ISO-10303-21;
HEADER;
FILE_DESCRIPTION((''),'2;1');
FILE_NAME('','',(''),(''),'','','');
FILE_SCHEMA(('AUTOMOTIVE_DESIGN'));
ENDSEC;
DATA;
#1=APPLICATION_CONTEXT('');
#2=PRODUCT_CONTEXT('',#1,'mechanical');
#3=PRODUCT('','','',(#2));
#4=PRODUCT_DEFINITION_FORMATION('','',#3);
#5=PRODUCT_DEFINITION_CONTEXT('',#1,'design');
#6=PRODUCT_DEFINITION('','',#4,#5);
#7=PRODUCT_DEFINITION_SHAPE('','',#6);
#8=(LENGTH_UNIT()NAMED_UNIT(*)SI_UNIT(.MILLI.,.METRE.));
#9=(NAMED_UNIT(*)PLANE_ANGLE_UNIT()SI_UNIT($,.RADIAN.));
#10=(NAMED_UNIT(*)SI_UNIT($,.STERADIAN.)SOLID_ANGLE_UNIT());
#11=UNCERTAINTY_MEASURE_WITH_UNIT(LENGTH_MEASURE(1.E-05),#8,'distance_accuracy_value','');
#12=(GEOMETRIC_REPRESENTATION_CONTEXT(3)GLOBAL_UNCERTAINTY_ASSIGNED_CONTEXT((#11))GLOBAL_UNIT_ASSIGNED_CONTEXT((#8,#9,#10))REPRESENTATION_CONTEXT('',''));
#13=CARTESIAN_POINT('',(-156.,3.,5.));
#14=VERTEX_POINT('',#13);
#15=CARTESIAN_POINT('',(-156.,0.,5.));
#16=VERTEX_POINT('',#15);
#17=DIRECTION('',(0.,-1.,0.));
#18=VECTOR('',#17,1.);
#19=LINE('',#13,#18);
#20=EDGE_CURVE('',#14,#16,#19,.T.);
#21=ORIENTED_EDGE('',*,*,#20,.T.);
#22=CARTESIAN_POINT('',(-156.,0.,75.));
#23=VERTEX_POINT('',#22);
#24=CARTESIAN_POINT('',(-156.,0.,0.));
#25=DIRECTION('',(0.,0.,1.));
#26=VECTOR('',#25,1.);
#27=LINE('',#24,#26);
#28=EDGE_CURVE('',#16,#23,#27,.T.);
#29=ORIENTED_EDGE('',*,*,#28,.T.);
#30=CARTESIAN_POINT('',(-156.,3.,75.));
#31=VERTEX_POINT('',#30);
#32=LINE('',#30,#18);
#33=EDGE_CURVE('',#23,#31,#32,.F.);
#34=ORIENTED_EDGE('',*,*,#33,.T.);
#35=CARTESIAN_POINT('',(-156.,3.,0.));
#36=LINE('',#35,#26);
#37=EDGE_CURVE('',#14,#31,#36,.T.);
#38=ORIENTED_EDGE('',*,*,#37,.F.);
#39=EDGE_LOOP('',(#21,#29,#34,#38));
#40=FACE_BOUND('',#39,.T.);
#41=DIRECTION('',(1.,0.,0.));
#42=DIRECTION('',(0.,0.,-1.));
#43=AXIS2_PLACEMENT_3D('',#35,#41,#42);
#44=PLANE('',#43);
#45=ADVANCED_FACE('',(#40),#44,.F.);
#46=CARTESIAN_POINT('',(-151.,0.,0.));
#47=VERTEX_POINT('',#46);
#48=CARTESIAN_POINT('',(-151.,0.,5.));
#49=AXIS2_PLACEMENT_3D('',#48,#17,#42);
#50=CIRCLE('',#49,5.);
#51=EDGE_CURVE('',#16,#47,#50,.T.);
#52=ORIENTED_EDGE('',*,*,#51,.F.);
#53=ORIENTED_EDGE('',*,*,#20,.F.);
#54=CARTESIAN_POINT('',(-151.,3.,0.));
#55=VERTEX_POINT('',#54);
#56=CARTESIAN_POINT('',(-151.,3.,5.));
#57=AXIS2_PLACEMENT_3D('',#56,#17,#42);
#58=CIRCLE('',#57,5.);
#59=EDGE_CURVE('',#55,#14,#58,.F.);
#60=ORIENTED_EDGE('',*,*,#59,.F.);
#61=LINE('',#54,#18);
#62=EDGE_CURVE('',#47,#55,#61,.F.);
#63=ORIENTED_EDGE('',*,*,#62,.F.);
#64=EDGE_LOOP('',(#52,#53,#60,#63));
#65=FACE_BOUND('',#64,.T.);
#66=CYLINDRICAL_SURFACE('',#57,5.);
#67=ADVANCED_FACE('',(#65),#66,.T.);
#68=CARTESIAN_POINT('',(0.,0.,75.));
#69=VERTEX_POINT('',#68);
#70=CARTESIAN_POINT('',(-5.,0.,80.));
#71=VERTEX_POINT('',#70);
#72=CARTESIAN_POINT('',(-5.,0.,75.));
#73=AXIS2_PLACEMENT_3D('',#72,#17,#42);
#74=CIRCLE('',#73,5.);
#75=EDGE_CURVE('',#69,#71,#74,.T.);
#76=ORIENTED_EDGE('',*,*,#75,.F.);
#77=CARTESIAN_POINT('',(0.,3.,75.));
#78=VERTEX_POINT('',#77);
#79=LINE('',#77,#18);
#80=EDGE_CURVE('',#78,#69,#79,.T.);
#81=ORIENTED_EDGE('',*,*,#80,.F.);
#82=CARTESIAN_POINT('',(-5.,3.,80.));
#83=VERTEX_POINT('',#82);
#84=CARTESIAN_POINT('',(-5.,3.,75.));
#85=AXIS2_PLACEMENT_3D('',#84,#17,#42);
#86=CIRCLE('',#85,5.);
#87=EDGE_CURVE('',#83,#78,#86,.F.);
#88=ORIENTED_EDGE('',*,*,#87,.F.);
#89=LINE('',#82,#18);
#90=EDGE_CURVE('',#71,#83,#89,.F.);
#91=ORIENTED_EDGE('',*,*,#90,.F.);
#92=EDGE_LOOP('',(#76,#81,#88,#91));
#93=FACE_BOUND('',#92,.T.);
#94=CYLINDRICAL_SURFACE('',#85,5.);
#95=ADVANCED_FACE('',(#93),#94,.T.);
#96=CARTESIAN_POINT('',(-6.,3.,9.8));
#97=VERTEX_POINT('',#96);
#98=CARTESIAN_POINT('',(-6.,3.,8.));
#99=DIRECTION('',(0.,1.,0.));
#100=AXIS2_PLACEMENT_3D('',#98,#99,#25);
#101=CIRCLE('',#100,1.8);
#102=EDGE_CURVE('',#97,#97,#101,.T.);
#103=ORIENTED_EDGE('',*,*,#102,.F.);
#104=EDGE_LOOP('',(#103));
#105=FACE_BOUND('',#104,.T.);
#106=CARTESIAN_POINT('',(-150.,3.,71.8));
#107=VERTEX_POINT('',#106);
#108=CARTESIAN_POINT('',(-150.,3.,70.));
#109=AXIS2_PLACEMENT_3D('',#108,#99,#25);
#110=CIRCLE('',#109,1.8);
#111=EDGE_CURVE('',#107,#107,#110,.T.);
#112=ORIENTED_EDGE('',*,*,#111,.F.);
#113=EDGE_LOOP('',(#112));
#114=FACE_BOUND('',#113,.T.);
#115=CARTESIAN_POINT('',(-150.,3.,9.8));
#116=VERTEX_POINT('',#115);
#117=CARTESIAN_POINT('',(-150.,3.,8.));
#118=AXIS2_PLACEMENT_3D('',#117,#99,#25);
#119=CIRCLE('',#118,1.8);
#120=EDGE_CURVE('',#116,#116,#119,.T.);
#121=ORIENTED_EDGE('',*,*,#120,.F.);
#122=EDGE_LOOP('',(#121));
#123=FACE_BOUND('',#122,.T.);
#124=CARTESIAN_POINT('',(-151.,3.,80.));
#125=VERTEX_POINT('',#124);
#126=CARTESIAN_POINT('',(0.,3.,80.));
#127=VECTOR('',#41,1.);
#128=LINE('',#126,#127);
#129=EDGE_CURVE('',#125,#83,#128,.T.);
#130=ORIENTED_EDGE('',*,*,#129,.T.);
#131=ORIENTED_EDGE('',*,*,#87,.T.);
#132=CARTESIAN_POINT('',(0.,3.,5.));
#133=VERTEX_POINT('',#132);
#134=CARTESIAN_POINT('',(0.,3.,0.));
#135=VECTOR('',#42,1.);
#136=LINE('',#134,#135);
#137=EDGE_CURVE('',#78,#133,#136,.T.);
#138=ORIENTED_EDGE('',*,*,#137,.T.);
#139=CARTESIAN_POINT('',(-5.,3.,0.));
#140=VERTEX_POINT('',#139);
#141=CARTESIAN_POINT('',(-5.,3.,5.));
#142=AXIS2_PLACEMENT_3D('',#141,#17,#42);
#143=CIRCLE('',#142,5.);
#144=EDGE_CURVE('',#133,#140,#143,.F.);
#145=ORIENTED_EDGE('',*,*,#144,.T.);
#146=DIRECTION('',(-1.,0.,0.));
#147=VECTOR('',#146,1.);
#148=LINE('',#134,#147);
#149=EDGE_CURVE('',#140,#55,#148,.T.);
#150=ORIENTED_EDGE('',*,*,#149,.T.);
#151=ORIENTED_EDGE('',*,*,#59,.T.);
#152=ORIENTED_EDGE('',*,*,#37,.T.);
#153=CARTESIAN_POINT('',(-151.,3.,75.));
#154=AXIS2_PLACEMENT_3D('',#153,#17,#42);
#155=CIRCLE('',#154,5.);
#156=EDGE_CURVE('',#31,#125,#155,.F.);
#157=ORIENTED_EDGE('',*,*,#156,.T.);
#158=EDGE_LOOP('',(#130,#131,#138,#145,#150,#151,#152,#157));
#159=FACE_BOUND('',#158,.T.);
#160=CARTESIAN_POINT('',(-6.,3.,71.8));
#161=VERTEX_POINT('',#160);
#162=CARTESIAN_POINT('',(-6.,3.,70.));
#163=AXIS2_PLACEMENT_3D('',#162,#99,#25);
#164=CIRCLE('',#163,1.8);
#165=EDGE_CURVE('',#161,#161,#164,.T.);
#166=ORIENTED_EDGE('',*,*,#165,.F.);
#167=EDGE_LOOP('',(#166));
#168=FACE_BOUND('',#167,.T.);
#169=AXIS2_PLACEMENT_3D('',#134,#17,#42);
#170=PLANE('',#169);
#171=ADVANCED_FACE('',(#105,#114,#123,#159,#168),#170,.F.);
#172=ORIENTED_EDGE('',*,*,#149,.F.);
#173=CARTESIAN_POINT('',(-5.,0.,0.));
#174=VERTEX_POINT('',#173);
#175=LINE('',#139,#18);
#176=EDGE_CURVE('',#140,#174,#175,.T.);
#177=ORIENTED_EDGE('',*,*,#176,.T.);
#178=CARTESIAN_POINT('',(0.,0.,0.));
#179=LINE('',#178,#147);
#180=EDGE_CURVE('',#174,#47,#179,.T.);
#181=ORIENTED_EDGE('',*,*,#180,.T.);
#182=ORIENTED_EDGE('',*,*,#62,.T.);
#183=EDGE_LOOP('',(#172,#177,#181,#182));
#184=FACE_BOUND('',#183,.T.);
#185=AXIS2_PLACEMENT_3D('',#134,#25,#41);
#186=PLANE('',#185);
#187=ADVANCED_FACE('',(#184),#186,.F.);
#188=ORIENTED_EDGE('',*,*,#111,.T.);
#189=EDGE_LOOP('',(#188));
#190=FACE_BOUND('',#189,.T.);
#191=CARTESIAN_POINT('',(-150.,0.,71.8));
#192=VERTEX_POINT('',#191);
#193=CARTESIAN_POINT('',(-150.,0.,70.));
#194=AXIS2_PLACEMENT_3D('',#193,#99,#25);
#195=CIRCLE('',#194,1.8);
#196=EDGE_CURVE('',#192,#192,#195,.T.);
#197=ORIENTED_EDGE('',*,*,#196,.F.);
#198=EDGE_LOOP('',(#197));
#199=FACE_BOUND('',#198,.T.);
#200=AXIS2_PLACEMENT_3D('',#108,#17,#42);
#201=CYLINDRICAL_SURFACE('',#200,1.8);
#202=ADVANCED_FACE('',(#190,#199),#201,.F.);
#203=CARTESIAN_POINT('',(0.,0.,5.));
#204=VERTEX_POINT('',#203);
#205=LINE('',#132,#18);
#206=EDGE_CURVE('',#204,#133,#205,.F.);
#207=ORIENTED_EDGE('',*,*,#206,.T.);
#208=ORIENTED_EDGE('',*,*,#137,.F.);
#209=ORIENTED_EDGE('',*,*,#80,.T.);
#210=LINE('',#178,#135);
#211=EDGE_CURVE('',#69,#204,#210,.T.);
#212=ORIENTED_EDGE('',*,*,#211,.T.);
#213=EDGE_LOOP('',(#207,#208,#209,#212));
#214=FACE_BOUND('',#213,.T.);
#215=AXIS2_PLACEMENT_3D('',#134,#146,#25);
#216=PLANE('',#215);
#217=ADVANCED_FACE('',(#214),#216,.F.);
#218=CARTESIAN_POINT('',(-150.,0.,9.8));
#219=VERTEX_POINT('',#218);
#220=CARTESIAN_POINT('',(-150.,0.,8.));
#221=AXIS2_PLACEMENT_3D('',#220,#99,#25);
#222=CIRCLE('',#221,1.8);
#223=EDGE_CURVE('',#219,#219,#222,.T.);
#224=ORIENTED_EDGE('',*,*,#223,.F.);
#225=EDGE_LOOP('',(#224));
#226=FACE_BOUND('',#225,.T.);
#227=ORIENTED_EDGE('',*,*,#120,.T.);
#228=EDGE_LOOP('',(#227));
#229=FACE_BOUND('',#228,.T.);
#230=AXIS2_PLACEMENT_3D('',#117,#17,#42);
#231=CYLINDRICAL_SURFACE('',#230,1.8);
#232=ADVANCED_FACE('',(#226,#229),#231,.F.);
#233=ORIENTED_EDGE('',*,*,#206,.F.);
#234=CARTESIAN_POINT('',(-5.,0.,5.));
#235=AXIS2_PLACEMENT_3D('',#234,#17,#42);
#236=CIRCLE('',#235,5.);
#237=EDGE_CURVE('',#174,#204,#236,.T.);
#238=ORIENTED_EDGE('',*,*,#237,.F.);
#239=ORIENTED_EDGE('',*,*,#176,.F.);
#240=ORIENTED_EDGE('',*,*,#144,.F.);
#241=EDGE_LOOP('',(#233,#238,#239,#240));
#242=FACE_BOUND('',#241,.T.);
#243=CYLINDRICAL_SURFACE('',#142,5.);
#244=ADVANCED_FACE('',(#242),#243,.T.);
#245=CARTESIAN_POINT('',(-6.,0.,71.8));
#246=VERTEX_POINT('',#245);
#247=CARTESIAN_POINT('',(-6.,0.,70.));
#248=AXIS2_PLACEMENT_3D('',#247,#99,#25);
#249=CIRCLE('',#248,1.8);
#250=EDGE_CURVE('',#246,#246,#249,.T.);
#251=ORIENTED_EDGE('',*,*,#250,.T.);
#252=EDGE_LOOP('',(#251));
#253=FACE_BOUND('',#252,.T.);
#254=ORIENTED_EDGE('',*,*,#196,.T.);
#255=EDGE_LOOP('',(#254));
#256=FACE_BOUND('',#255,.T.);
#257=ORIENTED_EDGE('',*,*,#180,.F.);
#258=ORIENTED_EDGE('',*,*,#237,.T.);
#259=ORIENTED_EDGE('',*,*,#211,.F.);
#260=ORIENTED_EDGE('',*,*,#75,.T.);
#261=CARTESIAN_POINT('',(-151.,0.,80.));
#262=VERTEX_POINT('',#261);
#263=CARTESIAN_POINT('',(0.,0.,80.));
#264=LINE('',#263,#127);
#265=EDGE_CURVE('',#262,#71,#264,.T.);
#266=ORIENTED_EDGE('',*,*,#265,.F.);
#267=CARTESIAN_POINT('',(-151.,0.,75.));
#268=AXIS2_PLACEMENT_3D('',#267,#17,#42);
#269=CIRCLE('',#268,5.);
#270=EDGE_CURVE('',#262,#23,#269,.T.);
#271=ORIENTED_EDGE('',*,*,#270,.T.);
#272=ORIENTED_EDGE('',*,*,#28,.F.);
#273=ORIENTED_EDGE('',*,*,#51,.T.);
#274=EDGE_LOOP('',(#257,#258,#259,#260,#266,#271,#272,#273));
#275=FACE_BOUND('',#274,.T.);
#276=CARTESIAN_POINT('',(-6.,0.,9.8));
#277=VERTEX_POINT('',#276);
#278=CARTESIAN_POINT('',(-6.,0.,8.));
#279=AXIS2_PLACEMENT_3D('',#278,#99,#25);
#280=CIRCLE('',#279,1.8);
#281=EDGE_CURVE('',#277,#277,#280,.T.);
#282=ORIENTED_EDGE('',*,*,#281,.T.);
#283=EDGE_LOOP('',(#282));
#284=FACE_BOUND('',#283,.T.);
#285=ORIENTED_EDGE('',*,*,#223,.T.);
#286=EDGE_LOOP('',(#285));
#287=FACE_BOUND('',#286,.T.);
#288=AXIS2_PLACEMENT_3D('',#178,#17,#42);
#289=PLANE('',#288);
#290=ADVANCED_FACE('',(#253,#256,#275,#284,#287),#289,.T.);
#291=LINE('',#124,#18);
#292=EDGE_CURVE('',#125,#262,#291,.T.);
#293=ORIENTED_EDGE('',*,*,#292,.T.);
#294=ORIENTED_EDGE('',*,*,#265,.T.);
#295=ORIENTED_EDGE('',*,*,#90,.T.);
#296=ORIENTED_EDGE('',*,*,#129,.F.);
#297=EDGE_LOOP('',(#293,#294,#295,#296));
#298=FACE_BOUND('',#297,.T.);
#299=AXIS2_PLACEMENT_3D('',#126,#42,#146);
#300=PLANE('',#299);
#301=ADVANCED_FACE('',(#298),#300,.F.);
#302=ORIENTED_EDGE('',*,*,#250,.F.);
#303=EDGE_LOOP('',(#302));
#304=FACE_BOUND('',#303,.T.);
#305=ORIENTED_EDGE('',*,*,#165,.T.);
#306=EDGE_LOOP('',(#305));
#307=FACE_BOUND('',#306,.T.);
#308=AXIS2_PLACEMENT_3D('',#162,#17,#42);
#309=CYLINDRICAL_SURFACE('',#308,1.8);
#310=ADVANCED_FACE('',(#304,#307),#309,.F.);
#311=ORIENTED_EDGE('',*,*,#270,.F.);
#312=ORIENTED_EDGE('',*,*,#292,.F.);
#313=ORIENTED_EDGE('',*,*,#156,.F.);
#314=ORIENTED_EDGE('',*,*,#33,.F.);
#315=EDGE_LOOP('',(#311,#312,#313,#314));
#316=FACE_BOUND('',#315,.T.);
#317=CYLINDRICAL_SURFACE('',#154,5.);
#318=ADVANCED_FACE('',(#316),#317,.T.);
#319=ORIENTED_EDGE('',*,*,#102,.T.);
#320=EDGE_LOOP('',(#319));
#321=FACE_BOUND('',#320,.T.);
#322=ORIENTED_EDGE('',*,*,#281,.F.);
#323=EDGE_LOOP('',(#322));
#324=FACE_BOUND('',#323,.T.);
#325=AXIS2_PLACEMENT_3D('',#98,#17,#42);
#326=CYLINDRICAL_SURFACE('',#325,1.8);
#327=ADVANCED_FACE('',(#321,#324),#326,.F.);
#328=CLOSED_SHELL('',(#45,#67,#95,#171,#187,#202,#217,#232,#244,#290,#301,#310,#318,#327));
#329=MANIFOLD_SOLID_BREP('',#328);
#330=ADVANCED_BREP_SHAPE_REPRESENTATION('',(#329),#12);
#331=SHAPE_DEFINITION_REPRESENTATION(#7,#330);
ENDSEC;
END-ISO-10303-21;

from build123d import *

# Parameters (mm, degrees)
SKETCH1_W           = 156
SKETCH1_H           = 80
SKETCH1_R           = 1.8
BOSS_EXTRUDE1_DEPTH = 3
FILLET1_R           = 5


with BuildPart() as part:
    # Sketch1 → Boss-Extrude1 (new body)
    with BuildSketch(Plane(origin=(0, 0, 0), x_dir=(1, 0, 0), z_dir=(0, 1, 0))):
        with Locations((-78, -40)):
            Rectangle(SKETCH1_W, SKETCH1_H)
        with Locations(Location((-150, -70, 0), (0, 0, 270))):
            Circle(SKETCH1_R, mode=Mode.SUBTRACT)
        with Locations(Location((-6, -70, 0), (0, 0, 270))):
            Circle(SKETCH1_R, mode=Mode.SUBTRACT)
        with Locations(Location((-6, -8, 0), (0, 0, 270))):
            Circle(SKETCH1_R, mode=Mode.SUBTRACT)
        with Locations(Location((-150, -8, 0), (0, 0, 270))):
            Circle(SKETCH1_R, mode=Mode.SUBTRACT)
    extrude(amount=BOSS_EXTRUDE1_DEPTH)

    # Fillet1
    fillet1_edges = [part.edges().sort_by_distance(p)[0] for p in [
        (0, 1.5, 80),
        (-156, 1.5, 80),
        (-156, 1.5, 0),
        (0, 1.5, 0),
    ]]
    fillet(fillet1_edges, radius=FILLET1_R)


solid = part.part
